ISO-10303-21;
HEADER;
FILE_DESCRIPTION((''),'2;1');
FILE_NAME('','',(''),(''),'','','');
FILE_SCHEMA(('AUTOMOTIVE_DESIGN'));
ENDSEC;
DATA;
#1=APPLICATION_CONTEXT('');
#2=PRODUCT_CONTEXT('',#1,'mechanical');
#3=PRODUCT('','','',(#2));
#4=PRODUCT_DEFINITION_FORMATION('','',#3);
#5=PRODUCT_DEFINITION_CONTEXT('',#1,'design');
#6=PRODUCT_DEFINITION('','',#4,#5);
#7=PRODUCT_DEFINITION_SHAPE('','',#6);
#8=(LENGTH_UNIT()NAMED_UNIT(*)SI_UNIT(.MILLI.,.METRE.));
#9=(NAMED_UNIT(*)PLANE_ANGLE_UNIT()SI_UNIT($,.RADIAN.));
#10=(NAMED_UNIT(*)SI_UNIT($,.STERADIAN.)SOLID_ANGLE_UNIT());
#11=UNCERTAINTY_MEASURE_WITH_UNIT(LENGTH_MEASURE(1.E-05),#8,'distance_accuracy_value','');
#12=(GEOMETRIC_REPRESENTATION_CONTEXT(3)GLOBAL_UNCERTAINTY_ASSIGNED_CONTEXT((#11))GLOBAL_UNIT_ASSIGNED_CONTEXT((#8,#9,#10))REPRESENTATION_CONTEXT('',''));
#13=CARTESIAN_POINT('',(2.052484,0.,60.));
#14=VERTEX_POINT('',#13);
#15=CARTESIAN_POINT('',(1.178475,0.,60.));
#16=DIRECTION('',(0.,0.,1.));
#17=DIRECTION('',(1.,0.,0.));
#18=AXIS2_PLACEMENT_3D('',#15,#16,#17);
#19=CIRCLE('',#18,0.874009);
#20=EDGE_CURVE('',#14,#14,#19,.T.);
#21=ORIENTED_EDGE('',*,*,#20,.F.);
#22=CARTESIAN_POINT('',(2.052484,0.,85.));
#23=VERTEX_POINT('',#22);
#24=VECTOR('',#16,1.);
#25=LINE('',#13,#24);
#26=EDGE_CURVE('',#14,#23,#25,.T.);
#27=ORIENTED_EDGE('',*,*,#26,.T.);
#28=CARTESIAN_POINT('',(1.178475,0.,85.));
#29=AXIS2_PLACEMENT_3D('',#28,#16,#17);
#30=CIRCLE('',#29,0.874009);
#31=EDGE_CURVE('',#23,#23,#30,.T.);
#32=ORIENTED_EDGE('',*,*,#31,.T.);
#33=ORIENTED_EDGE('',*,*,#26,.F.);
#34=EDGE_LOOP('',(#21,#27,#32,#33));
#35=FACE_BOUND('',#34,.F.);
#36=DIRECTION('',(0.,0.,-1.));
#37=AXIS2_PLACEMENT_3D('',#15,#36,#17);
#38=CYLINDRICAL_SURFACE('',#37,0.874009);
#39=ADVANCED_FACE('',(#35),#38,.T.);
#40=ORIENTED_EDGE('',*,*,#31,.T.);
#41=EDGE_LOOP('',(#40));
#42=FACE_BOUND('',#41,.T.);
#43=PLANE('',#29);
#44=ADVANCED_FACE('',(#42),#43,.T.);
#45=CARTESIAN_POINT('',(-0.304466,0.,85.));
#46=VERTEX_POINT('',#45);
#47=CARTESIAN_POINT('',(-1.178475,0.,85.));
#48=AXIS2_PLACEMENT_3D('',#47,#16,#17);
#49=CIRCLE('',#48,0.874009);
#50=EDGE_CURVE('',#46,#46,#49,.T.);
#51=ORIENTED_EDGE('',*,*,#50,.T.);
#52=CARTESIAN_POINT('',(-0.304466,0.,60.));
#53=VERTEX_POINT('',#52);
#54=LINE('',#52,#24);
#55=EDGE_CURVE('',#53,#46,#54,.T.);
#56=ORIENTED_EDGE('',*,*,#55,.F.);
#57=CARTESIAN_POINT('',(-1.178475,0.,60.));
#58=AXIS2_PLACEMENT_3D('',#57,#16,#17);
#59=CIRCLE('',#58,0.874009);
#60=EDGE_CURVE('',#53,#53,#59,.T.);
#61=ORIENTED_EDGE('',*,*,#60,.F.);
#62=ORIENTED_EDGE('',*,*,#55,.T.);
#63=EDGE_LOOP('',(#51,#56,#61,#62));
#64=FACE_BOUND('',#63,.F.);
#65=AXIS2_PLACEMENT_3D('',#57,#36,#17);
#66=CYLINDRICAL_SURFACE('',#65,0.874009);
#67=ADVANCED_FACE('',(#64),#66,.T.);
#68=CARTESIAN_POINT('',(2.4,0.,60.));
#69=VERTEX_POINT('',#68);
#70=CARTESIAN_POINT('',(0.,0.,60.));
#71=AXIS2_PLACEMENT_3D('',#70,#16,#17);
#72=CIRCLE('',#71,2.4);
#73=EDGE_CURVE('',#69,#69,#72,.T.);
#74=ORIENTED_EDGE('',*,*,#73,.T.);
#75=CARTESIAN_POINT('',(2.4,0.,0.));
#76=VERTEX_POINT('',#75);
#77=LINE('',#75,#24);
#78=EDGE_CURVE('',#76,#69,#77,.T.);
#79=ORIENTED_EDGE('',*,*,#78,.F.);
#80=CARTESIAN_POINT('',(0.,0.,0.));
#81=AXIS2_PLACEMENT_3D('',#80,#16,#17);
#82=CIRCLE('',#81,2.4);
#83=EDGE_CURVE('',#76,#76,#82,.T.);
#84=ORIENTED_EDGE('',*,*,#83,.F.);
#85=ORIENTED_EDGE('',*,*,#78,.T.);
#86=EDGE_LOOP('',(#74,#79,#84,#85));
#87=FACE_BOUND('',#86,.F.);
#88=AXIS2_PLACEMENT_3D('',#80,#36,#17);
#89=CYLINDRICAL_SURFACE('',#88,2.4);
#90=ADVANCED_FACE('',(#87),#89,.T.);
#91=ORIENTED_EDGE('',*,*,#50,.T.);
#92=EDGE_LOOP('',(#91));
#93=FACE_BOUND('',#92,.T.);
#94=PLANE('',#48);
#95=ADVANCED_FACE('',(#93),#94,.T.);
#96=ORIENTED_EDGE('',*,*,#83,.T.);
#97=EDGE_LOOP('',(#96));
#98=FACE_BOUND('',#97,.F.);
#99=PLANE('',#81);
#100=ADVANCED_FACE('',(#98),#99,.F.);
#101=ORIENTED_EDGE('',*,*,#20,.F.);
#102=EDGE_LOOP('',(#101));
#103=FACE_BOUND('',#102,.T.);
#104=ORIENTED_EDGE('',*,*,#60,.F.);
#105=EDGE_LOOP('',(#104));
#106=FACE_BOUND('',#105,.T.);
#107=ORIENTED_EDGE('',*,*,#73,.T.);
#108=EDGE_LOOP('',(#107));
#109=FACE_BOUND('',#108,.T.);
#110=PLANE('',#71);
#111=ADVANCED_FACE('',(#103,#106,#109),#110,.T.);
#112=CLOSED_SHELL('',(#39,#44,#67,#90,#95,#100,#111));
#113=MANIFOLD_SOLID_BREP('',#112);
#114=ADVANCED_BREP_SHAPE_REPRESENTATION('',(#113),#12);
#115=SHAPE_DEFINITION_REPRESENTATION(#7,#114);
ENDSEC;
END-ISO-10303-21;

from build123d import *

# Parameters (mm, degrees)
F0_R     = 2.4
F1_DEPTH = 60
F2_R     = 0.874009
F3_DEPTH = 25


with BuildPart() as f1:
    # F0 (on Top) → F1 (new body)
    with BuildSketch(Plane.XY):
        Circle(F0_R)
    extrude(amount=F1_DEPTH)

    # F2 (on face) → F3 (join)
    with BuildSketch(Plane.XY.offset(60)):
        with Locations((-1.178475, 0)):
            Circle(F2_R)
        with Locations((1.178475, 0)):
            Circle(F2_R)
    extrude(amount=F3_DEPTH)


solid = f1.part
